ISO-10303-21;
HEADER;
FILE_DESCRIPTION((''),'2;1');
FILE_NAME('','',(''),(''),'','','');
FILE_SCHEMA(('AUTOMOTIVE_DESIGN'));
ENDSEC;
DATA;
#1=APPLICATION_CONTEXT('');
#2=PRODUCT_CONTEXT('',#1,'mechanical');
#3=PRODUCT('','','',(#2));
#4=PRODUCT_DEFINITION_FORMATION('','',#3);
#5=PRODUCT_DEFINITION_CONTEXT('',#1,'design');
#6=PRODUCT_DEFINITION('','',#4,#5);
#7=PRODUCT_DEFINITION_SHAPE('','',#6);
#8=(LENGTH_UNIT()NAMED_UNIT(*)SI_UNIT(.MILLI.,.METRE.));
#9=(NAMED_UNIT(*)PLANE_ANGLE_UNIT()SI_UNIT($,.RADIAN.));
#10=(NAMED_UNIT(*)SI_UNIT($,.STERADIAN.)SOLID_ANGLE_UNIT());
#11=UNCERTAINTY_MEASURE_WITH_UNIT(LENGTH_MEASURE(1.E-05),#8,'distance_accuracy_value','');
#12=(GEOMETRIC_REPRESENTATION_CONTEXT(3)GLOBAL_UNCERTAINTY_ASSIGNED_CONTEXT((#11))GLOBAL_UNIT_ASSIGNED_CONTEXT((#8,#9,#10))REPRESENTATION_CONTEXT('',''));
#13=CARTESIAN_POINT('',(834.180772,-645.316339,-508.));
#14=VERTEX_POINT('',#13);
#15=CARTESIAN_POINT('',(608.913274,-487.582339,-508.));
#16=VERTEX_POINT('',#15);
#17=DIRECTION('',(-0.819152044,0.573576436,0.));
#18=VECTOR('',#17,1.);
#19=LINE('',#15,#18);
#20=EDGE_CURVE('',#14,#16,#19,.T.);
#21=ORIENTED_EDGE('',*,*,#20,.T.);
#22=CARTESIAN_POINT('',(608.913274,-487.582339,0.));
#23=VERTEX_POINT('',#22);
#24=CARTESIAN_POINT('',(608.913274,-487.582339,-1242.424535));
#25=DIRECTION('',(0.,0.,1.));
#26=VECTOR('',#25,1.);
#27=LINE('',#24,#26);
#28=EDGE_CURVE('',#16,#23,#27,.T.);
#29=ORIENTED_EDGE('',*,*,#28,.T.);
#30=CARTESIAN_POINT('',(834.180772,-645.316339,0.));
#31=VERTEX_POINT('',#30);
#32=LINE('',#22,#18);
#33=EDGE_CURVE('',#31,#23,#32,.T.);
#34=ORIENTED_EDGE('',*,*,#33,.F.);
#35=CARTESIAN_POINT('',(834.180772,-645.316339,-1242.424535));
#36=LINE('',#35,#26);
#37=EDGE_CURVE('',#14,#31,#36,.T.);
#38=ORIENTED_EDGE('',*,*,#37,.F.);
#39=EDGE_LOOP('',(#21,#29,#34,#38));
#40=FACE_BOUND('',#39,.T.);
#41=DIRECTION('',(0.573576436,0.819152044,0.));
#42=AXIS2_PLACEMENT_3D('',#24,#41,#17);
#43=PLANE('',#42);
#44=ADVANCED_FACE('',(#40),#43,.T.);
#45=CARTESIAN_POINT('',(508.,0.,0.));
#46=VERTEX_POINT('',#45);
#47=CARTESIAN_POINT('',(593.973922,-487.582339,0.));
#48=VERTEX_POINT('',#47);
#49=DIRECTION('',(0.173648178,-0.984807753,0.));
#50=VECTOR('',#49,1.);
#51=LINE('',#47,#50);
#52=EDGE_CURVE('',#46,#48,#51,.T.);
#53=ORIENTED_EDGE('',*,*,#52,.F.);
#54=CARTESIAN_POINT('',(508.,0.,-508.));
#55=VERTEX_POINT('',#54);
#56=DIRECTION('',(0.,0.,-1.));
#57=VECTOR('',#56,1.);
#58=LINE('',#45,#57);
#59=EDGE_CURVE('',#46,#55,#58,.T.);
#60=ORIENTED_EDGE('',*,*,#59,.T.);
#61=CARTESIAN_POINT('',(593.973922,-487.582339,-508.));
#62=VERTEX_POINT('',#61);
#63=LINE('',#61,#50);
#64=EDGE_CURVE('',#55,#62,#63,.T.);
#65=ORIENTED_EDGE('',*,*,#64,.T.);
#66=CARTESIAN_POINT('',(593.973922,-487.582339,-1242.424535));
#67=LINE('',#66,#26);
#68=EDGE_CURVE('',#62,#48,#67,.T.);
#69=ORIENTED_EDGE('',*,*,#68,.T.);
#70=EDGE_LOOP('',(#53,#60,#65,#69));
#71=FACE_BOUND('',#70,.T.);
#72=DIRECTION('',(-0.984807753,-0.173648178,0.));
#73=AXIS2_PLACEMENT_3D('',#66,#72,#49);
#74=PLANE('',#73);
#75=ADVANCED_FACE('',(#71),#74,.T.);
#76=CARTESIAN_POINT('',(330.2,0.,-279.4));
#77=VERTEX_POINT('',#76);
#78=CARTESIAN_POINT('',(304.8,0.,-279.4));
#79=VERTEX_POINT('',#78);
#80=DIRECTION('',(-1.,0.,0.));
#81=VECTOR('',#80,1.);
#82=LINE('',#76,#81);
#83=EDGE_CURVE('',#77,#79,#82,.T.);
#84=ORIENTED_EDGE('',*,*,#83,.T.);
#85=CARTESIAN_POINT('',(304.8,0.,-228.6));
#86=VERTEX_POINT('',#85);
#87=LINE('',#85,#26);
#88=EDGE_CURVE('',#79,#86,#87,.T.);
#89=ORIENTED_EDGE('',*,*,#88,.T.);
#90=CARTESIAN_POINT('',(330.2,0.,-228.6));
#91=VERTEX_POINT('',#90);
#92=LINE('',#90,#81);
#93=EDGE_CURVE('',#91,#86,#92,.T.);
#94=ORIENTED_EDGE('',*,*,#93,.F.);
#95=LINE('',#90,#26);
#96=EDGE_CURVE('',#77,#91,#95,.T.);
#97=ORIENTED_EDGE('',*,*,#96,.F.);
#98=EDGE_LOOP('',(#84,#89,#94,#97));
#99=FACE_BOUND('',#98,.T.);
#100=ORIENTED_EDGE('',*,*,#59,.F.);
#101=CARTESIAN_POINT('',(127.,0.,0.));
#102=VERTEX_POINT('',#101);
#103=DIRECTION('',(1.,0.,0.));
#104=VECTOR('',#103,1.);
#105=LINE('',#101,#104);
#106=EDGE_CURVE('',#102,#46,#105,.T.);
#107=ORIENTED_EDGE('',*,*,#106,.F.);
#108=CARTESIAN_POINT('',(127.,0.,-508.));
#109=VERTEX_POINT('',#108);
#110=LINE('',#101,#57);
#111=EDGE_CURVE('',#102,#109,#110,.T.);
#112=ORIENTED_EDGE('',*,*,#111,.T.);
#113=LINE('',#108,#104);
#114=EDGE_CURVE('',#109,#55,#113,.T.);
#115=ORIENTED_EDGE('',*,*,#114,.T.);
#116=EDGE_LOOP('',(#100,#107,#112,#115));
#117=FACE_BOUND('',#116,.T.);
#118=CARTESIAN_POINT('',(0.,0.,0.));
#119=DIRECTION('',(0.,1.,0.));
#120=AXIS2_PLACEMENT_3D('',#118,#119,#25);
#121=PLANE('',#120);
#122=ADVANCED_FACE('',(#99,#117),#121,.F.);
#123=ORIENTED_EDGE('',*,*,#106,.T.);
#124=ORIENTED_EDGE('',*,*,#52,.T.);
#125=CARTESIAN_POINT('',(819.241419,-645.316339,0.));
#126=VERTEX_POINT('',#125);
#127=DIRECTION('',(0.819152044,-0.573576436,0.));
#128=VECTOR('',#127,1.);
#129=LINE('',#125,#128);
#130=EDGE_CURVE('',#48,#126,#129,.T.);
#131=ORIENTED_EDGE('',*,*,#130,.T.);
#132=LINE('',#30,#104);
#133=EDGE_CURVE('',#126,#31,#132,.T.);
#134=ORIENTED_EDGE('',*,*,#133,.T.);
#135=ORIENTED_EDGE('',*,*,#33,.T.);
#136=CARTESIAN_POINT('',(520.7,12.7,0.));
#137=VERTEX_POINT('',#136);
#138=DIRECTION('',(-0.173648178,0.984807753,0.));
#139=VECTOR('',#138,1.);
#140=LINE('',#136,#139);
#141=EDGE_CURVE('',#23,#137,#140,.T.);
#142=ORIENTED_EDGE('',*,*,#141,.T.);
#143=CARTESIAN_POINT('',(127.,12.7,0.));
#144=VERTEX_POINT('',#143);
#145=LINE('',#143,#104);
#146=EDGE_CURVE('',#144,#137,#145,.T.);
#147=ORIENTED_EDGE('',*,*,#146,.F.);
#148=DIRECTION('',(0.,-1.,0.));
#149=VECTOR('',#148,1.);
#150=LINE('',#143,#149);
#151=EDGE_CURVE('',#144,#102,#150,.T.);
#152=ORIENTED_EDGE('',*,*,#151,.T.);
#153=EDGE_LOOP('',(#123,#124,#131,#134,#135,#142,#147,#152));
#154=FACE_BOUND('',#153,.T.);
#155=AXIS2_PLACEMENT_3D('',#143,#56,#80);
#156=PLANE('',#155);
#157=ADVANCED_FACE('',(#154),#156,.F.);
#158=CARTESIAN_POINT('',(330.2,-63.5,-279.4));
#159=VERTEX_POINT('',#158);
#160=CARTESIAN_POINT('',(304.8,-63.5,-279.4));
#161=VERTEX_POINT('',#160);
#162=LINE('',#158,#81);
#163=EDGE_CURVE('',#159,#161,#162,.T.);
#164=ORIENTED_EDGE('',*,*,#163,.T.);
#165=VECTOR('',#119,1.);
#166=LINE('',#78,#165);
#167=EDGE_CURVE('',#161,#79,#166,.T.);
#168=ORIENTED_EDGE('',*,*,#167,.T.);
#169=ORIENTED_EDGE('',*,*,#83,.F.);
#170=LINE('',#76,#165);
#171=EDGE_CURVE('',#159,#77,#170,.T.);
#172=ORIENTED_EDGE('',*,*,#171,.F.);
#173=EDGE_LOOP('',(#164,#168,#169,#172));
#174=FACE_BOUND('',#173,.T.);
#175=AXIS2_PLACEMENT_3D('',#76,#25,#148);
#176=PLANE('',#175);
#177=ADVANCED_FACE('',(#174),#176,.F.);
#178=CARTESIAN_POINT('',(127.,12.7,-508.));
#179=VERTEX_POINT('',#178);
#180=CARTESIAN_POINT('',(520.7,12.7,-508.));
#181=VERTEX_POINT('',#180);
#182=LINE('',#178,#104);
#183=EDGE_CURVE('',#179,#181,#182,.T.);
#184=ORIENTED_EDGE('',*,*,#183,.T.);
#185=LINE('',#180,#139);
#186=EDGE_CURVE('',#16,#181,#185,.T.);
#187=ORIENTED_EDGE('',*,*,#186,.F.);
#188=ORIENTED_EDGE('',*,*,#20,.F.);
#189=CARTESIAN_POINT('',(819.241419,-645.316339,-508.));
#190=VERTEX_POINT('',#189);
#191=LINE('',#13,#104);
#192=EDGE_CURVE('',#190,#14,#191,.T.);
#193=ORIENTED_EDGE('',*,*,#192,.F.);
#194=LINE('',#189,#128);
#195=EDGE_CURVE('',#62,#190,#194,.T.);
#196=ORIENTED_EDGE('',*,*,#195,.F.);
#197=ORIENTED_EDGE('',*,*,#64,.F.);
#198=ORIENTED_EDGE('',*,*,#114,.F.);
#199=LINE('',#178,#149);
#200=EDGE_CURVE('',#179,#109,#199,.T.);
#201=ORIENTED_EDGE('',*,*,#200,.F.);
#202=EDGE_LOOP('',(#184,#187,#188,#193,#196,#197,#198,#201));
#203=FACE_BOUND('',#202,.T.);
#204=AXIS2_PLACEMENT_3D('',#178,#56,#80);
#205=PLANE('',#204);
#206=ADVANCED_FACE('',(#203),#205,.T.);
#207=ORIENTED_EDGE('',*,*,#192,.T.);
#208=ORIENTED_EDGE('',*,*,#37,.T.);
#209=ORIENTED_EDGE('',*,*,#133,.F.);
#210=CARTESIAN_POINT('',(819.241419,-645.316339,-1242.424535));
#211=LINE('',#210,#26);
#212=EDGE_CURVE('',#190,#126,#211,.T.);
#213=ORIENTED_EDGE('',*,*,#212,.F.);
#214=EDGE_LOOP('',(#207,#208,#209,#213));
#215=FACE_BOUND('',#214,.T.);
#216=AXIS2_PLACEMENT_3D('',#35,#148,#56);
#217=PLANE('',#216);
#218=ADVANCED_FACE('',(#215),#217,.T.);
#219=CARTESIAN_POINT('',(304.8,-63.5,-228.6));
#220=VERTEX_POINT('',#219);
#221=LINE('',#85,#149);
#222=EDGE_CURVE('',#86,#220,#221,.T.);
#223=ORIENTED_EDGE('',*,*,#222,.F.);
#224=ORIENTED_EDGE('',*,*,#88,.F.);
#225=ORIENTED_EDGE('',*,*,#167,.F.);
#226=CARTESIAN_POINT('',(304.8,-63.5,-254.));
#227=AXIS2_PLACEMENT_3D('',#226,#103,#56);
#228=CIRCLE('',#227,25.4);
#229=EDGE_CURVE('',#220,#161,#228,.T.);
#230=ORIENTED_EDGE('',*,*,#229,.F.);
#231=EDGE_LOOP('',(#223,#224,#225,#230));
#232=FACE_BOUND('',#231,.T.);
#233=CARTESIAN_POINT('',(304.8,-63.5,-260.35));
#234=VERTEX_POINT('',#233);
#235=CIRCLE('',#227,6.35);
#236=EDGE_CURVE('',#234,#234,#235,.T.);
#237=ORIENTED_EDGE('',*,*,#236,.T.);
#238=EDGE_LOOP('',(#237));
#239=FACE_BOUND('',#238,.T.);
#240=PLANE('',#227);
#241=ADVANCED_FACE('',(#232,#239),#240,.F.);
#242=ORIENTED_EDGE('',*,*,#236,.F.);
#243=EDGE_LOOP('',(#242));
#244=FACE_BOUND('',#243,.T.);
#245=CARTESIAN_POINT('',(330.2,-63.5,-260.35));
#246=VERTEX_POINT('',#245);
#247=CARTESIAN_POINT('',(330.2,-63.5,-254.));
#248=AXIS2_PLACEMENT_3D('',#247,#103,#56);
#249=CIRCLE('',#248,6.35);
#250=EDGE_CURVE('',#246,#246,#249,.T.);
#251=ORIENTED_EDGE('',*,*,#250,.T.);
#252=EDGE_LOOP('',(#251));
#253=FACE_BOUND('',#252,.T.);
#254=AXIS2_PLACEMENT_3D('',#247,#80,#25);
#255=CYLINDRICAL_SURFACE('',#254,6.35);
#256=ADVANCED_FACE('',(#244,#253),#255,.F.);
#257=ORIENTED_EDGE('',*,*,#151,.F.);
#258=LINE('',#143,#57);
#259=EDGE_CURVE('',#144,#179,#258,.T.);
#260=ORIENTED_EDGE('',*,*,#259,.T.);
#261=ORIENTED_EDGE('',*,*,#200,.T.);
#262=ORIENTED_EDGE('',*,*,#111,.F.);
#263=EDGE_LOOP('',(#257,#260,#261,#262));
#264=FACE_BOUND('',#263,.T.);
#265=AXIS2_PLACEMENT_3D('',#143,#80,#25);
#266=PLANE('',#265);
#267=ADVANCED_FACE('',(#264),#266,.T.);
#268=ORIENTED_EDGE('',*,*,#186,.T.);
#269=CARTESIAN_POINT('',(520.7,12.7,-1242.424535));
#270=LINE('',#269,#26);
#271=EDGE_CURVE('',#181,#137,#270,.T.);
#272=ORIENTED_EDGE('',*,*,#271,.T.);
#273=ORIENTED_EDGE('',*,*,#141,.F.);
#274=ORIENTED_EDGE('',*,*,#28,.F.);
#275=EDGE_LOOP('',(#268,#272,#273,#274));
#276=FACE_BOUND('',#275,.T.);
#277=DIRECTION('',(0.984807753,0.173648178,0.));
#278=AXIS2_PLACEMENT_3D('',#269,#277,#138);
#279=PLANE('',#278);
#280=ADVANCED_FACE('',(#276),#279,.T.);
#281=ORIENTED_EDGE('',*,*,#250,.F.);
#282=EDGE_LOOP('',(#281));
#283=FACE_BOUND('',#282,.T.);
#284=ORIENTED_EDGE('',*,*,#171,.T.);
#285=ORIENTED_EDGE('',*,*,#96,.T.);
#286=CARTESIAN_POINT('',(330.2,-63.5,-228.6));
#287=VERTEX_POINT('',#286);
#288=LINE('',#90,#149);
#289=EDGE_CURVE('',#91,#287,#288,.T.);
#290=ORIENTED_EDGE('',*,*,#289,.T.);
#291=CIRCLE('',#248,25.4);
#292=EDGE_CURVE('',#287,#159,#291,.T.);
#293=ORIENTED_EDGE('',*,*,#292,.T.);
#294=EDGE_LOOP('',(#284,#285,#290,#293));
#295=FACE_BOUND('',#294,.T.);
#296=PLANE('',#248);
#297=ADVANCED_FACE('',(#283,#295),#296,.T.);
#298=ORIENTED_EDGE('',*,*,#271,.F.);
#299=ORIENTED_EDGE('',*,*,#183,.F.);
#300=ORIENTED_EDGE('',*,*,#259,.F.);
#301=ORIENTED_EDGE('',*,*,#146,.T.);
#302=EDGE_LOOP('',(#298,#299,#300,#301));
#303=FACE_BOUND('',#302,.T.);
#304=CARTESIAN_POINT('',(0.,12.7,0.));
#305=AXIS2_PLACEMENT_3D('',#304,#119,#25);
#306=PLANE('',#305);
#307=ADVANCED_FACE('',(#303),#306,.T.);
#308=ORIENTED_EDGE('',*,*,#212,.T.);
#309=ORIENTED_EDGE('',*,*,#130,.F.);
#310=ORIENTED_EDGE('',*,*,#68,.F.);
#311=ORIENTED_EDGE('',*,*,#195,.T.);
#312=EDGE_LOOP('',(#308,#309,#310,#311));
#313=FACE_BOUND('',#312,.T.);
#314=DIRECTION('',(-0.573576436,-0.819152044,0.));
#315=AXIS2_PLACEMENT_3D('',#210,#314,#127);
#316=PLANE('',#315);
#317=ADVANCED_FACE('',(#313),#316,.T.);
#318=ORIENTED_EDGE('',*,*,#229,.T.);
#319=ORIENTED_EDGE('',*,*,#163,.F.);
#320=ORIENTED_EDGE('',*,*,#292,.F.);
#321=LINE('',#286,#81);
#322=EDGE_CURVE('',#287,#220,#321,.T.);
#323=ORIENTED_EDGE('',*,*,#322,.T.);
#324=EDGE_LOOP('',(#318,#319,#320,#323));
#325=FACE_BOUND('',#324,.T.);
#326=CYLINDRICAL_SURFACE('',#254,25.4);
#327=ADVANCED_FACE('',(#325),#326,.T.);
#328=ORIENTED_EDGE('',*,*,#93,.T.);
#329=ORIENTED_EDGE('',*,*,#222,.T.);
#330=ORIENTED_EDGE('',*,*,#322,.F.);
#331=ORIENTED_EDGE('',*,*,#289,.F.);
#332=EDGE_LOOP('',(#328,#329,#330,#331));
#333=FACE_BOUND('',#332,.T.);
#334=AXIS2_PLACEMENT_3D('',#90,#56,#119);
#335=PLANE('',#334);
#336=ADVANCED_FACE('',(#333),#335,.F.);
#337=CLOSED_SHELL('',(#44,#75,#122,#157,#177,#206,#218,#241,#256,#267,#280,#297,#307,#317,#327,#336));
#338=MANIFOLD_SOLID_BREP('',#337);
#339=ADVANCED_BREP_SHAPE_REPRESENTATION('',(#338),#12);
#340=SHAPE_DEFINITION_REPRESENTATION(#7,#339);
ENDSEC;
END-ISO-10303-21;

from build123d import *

# Parameters (mm, degrees)
SKETCH1_W           = 381
SKETCH1_H           = 508
BOSS_EXTRUDE1_DEPTH = 12.7
SKETCH3_R           = 6.35
BOSS_EXTRUDE2_DEPTH = 12.7
BOSS_EXTRUDE4_DEPTH = 508


with BuildPart() as part:
    # Sketch1 → Boss-Extrude1 (new body)
    with BuildSketch(Plane(origin=(0, 0, 0), x_dir=(1, 0, 0), z_dir=(0, 1, 0))):
        with Locations((317.5, 254)):
            Rectangle(SKETCH1_W, SKETCH1_H)
    extrude(amount=BOSS_EXTRUDE1_DEPTH)

    # Sketch3 → Boss-Extrude2 (add, symmetric)
    with BuildSketch(Plane(origin=(317.5, 0, 0), x_dir=(0, 0, -1), z_dir=(1, 0, 0))):
        with BuildLine():
            Line((228.6, 0), (228.6, -63.5))
            ThreePointArc((228.6, -63.5), (254, -88.9), (279.4, -63.5))
            Line((279.4, -63.5), (279.4, 0))
            Line((279.4, 0), (228.6, 0))
        make_face()
        with Locations((254, -63.5)):
            Circle(SKETCH3_R, mode=Mode.SUBTRACT)
    extrude(amount=BOSS_EXTRUDE2_DEPTH, both=True)

    # Sketch6 → Boss-Extrude4 (add)
    with BuildSketch(Plane.XY):
        Polygon((520.7, 12.7), (608.913274255, -487.58233853), (834.18077195, -645.31633853), (819.241419295, -645.31633853), (593.9739216, -487.58233853), (508, 0), (508, 12.7), align=None)
    extrude(amount=-BOSS_EXTRUDE4_DEPTH)


solid = part.part
